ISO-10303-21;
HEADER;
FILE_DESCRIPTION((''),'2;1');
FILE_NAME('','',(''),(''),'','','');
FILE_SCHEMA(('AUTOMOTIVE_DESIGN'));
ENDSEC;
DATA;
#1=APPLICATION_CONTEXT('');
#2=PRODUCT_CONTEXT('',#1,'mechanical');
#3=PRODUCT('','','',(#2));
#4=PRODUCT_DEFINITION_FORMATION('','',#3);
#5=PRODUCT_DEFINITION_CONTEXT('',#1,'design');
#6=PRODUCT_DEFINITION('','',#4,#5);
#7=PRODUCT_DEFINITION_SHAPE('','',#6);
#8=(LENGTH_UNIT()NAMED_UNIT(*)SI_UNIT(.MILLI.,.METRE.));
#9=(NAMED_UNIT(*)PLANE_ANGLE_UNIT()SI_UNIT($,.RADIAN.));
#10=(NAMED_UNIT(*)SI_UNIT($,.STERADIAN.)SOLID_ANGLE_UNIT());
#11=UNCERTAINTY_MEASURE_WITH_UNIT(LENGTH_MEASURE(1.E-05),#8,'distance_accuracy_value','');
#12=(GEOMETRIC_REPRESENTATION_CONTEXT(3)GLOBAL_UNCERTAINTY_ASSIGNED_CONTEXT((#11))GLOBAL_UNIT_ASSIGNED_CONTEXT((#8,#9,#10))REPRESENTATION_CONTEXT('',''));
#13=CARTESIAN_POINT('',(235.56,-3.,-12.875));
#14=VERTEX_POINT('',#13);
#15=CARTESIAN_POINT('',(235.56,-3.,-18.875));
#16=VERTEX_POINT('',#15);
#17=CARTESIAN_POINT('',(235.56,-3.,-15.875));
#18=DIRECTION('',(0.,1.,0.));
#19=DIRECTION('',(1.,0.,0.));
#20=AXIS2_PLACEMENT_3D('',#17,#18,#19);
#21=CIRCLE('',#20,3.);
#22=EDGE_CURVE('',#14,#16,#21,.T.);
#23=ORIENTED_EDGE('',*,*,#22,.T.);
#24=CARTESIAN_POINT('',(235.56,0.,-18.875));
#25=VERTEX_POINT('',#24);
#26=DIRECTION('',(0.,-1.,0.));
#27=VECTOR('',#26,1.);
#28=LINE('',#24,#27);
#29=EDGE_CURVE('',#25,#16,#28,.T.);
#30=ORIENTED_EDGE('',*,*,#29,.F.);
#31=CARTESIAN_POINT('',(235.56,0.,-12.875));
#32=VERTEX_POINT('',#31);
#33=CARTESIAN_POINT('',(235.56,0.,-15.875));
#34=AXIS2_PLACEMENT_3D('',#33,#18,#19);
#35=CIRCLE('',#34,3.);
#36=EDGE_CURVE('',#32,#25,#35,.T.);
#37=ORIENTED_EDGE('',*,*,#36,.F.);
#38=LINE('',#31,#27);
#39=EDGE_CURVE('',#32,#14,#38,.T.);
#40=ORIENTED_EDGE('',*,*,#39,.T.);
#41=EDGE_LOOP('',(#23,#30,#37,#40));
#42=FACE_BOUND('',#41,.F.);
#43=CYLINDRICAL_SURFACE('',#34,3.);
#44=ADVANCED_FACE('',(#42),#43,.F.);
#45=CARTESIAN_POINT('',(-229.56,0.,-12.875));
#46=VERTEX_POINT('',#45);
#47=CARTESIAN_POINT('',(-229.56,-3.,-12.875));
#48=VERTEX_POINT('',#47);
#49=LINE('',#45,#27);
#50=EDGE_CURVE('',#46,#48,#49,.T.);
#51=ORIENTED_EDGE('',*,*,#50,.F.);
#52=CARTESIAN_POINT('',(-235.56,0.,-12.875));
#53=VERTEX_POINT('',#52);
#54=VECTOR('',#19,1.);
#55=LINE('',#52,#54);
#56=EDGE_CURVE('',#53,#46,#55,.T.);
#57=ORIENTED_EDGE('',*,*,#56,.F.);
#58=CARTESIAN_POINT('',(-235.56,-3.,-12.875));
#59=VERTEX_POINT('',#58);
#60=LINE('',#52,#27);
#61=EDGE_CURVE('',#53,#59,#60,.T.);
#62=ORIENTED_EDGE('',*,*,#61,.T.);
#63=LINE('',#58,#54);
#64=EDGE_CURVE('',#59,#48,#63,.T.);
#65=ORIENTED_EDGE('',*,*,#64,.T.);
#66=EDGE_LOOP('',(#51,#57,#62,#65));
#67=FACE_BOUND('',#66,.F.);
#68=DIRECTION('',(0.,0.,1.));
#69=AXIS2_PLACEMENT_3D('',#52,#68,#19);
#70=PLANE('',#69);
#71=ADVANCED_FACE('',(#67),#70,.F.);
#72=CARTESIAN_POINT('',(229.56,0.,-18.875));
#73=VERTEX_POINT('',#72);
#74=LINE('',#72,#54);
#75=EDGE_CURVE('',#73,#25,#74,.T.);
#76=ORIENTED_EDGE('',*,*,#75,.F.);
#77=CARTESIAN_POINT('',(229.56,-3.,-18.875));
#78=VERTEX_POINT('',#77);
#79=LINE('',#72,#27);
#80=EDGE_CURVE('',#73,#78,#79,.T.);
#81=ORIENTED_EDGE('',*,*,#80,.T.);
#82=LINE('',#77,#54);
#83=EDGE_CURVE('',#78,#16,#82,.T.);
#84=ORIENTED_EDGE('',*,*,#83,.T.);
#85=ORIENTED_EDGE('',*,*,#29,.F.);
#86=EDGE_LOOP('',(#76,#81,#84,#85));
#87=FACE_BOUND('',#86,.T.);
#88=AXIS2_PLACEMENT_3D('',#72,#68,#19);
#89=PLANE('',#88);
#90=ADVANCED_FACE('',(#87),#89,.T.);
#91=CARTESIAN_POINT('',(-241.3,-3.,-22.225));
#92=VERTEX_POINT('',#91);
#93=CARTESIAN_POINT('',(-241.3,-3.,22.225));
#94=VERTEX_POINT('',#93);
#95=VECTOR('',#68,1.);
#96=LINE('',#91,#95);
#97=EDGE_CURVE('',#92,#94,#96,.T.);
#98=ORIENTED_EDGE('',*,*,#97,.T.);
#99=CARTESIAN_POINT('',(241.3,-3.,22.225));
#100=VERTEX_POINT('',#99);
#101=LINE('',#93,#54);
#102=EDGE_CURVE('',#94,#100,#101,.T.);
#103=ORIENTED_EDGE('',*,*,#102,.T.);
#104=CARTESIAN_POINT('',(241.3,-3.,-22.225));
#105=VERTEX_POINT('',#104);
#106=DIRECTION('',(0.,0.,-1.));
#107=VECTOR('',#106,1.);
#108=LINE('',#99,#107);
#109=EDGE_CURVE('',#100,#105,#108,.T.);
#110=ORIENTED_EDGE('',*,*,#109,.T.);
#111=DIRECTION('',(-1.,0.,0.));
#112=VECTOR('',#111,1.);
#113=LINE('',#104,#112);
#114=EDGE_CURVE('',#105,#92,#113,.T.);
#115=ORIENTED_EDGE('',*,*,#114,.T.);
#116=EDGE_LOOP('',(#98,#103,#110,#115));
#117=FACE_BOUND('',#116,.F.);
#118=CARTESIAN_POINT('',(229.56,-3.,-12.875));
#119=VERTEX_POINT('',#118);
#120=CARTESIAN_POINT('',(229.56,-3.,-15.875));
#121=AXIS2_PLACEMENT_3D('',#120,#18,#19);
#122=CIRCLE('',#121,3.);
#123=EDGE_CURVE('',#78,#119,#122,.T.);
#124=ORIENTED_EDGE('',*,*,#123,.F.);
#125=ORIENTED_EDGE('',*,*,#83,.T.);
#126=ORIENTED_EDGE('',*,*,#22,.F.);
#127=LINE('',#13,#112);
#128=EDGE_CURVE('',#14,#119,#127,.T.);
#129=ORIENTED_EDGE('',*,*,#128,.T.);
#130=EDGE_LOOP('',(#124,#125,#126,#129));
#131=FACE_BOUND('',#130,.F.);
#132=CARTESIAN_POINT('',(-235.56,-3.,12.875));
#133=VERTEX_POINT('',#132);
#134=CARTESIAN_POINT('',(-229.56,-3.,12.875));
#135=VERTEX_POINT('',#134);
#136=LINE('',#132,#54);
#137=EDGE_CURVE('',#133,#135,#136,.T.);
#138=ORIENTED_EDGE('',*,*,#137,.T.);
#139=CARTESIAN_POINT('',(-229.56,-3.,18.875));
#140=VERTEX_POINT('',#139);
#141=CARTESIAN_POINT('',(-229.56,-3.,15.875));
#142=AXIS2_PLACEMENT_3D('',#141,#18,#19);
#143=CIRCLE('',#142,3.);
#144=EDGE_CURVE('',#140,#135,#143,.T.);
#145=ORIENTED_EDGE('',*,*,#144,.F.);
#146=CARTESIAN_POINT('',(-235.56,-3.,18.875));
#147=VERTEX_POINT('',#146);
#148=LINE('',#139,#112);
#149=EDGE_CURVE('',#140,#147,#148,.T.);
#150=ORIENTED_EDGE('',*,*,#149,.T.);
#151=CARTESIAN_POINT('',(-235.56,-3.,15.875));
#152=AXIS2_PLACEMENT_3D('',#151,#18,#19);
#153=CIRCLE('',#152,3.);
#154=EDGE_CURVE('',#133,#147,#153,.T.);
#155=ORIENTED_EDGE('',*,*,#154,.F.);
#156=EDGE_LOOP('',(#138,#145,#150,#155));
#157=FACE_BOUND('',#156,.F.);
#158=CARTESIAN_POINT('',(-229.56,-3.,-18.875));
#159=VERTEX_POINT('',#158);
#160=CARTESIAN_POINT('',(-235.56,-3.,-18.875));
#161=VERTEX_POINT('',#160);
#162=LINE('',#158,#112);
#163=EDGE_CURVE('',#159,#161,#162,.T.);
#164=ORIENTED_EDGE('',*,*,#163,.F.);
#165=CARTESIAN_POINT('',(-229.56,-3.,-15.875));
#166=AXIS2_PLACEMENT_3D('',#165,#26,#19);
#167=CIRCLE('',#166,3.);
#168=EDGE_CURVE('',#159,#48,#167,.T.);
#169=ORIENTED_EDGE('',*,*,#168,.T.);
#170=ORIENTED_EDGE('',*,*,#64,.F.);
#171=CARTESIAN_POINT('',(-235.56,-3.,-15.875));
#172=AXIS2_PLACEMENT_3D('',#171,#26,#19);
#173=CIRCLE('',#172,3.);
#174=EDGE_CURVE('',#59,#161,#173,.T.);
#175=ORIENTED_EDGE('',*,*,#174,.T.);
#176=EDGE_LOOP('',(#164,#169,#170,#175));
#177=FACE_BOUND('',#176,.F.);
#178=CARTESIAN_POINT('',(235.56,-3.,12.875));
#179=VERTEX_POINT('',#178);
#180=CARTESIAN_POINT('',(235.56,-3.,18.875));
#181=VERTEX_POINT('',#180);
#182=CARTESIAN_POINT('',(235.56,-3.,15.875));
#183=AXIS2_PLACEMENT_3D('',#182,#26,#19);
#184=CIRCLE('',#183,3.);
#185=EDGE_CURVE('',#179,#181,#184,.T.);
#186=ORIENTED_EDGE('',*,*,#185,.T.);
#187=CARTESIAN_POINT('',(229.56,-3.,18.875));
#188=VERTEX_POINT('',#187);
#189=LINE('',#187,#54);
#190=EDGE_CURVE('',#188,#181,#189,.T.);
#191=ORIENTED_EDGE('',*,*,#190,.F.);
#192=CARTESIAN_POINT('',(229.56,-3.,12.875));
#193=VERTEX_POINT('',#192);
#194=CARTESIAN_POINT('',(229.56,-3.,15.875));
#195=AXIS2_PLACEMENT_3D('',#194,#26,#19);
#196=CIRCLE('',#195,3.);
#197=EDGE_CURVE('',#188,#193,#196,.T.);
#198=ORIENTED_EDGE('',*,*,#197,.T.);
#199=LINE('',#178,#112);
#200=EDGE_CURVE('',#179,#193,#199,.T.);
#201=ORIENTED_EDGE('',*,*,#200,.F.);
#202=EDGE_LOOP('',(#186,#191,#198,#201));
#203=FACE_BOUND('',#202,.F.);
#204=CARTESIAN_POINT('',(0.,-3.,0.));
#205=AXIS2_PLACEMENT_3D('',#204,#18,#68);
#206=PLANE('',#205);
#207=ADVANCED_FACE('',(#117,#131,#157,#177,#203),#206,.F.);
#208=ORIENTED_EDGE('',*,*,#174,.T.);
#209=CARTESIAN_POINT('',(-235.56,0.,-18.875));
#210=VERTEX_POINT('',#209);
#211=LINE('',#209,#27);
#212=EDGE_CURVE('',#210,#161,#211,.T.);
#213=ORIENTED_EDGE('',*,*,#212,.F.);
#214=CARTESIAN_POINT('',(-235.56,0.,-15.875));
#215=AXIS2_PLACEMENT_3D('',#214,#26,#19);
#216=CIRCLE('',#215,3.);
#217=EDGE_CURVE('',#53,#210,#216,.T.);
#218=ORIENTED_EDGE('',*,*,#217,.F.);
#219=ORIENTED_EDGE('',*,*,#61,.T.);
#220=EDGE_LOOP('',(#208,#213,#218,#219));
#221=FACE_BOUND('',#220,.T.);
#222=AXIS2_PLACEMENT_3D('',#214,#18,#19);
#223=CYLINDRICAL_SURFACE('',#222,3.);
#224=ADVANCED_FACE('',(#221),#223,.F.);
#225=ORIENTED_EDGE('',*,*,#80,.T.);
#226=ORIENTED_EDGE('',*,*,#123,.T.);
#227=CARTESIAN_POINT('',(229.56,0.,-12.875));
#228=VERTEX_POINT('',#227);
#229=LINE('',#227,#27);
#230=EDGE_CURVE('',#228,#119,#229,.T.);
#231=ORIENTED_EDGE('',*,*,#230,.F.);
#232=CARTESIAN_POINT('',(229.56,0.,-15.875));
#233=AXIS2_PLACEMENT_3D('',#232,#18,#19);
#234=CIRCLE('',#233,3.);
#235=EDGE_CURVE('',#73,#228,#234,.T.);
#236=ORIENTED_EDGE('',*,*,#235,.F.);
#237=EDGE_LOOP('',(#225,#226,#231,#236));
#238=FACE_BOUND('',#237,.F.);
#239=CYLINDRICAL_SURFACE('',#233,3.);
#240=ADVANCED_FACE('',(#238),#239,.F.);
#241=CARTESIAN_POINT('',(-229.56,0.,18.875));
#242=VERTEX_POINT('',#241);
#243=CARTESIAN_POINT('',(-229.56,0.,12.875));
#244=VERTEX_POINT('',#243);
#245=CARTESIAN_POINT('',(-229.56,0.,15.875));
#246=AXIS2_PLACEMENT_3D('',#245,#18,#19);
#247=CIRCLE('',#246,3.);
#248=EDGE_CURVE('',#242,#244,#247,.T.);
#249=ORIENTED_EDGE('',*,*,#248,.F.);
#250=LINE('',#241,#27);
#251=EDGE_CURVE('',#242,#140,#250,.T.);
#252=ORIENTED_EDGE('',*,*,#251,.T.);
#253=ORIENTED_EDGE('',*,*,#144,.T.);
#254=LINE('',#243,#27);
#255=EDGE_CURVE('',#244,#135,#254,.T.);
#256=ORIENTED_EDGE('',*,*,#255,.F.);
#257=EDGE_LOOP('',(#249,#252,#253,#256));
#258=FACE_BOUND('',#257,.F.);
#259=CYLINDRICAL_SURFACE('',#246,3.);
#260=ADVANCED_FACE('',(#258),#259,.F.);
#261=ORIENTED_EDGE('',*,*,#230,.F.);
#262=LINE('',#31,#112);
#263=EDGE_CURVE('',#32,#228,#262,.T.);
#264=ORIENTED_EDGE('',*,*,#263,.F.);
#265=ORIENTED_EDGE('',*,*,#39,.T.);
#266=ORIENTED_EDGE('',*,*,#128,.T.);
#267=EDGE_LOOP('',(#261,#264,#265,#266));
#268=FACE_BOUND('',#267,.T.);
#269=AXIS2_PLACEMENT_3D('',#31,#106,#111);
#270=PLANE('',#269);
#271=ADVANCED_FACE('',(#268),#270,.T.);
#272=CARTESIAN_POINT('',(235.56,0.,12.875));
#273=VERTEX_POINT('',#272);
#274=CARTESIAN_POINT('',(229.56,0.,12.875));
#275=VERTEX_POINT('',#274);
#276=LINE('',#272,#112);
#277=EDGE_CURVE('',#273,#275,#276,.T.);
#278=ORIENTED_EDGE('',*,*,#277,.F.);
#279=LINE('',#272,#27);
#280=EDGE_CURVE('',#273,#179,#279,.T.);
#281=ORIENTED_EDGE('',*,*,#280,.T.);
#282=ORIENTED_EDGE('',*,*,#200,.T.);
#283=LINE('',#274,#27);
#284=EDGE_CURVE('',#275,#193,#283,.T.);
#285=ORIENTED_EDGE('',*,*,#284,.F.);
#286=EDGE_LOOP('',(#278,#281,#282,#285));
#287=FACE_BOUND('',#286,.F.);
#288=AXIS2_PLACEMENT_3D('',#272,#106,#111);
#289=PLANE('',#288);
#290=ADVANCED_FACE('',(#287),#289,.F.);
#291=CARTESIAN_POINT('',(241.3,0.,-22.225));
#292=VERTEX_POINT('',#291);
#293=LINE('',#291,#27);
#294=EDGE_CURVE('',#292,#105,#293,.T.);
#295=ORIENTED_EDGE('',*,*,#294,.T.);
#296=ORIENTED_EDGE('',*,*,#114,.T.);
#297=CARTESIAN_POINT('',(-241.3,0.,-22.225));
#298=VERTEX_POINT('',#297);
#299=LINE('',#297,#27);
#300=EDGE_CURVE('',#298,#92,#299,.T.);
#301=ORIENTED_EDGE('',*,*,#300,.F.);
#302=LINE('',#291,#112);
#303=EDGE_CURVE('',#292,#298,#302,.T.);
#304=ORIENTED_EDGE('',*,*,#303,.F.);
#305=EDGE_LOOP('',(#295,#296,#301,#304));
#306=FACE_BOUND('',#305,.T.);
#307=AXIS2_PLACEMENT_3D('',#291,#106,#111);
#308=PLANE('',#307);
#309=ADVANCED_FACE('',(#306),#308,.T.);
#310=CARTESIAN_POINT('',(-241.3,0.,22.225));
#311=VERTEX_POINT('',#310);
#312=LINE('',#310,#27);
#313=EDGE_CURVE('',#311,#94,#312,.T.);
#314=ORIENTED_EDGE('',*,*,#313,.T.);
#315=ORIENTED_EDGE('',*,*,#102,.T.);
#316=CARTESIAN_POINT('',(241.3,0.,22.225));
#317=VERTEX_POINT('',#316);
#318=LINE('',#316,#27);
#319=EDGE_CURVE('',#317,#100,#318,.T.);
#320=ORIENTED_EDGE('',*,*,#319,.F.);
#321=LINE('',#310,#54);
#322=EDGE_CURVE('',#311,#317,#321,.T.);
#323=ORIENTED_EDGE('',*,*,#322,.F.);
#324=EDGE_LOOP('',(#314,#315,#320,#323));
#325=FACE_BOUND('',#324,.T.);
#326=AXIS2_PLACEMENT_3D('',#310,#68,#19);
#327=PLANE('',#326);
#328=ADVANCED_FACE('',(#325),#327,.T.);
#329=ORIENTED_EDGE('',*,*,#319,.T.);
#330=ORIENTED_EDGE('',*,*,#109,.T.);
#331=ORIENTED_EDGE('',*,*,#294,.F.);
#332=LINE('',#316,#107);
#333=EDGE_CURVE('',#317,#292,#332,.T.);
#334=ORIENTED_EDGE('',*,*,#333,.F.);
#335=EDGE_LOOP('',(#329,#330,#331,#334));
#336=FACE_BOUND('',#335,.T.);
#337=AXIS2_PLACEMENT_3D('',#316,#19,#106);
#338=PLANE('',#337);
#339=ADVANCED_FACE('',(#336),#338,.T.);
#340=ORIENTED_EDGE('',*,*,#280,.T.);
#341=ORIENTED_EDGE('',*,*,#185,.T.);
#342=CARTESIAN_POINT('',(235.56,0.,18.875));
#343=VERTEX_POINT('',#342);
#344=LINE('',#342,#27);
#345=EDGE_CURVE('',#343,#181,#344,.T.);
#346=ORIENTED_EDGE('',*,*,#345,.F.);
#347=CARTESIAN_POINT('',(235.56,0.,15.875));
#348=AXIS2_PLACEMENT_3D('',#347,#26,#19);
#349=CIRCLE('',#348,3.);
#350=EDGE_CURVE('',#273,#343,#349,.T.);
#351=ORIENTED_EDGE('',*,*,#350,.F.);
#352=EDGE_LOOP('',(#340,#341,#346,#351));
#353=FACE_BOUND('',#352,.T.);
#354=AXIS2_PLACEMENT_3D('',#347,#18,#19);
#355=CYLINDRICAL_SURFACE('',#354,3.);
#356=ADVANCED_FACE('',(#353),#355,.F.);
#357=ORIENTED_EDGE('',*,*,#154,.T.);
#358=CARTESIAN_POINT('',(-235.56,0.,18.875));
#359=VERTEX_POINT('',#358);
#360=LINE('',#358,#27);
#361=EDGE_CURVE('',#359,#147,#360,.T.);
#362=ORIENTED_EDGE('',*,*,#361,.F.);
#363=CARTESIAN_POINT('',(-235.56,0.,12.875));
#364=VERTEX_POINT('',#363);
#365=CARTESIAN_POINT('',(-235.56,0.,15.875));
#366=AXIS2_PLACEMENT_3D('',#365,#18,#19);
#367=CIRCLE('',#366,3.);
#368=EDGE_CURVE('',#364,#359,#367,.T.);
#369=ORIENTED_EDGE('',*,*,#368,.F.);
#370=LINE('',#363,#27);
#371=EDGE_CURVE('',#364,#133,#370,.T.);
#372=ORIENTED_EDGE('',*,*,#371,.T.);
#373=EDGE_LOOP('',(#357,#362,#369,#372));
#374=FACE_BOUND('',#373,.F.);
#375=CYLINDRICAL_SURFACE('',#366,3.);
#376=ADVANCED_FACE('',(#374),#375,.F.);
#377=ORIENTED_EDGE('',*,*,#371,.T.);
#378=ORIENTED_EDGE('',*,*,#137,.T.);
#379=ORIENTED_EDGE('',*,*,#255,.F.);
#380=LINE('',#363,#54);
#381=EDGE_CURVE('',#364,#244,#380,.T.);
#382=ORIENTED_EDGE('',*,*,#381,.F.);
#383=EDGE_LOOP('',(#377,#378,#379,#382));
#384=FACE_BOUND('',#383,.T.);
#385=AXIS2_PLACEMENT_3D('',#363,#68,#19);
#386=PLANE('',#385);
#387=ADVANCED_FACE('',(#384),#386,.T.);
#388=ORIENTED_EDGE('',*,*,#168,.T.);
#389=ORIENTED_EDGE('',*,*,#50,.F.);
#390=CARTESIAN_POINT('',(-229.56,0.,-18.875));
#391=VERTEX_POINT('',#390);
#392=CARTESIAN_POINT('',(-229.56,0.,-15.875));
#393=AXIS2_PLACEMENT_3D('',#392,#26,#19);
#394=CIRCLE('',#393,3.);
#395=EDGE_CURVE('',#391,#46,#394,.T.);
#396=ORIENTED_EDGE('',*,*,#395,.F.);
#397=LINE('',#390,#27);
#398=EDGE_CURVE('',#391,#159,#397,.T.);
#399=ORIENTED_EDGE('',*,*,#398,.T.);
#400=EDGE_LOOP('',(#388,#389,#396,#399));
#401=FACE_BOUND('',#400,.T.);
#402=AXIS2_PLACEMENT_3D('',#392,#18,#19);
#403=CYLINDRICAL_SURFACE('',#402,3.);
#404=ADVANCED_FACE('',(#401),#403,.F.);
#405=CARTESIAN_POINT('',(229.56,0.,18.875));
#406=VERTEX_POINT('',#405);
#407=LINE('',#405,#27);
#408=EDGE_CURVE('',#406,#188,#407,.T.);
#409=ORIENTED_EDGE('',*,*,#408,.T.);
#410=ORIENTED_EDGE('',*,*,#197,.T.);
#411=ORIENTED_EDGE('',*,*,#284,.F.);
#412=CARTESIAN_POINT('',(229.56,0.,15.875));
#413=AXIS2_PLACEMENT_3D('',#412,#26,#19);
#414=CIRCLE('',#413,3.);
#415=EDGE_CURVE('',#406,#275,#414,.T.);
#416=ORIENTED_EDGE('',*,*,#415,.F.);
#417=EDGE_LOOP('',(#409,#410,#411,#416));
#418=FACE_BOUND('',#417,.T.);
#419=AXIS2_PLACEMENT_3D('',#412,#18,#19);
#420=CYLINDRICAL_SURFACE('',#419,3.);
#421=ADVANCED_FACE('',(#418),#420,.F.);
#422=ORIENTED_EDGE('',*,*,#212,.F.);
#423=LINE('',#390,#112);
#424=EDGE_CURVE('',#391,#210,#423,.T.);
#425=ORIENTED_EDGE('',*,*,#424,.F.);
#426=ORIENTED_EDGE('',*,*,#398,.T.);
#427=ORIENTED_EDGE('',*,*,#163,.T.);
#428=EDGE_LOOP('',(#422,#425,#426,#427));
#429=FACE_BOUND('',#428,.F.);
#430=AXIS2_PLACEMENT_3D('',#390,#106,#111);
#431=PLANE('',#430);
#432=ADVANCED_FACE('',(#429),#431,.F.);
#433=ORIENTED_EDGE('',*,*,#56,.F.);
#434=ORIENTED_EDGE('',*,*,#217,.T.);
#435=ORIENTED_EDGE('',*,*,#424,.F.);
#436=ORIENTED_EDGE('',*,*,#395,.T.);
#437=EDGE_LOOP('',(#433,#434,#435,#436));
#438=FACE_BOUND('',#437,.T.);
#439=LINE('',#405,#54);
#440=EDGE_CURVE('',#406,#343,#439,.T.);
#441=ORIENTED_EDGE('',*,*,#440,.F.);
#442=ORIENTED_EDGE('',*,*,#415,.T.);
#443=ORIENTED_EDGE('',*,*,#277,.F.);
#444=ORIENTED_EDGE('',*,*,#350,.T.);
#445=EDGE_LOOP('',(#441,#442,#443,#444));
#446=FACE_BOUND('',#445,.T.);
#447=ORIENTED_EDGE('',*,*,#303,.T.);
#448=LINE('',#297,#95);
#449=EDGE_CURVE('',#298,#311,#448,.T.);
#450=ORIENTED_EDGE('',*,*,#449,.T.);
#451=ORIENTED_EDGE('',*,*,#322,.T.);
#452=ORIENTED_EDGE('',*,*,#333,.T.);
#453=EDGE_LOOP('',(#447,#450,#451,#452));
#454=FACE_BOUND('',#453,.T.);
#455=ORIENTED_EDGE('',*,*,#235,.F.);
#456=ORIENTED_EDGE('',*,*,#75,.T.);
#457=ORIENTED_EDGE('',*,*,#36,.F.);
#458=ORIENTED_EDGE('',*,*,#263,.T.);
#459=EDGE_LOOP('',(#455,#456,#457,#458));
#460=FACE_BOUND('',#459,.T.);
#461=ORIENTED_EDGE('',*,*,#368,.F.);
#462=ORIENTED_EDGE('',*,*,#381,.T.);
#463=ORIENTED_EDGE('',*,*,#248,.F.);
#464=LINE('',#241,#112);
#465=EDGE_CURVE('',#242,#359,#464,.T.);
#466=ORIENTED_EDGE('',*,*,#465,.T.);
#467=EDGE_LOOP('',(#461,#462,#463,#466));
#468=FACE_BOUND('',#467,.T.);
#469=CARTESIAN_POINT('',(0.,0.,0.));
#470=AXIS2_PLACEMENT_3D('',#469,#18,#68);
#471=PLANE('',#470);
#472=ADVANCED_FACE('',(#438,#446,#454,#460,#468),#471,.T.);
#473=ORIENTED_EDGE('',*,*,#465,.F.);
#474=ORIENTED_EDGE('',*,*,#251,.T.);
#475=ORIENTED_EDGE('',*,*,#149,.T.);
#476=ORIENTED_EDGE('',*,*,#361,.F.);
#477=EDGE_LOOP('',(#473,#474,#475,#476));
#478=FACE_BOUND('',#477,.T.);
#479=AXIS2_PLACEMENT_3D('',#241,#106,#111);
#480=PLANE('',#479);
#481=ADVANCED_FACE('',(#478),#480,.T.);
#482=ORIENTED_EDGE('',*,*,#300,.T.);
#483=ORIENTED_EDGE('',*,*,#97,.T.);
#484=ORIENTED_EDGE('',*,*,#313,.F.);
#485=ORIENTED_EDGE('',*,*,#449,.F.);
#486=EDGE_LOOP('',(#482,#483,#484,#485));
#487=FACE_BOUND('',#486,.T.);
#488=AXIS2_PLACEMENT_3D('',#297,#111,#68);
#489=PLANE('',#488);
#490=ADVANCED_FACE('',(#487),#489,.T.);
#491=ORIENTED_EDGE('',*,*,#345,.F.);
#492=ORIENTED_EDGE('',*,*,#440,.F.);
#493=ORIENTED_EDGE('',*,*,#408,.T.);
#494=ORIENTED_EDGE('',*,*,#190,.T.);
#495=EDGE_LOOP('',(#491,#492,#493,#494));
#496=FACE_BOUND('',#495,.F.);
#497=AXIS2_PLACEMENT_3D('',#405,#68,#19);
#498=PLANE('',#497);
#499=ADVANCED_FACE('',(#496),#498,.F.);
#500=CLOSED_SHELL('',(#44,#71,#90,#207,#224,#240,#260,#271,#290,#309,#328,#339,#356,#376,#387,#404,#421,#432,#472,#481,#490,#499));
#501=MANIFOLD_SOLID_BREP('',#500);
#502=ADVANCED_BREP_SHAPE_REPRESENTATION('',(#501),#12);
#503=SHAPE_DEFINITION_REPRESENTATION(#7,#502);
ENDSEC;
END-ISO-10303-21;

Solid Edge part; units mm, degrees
sketch "Sketch1" plane through (0, 0, 0) normal (0, -1, 0) x (1, 0, 0)
  arc A0 (235.56, 12.875) -> (235.56, 18.875) centre (235.56, 15.875) ccw
  line L0 (229.56, 18.875) -> (235.56, 18.875)
  arc A1 (229.56, 18.875) -> (229.56, 12.875) centre (229.56, 15.875) ccw
  line L1 (235.56, 12.875) -> (229.56, 12.875)
  arc A2 (-235.56, -12.875) -> (-235.56, -18.875) centre (-235.56, -15.875) ccw
  line L2 (-229.56, -18.875) -> (-235.56, -18.875)
  arc A3 (-229.56, -18.875) -> (-229.56, -12.875) centre (-229.56, -15.875) ccw
  line L3 (-235.56, -12.875) -> (-229.56, -12.875)
  line L4 (-241.3, -22.225) -> (-241.3, 22.225)
  line L5 (-241.3, 22.225) -> (241.3, 22.225)
  line L6 (241.3, 22.225) -> (241.3, -22.225)
  line L7 (241.3, -22.225) -> (-241.3, -22.225)
  line L8 (235.56, -12.875) -> (229.56, -12.875)
  arc A4 (229.56, -18.875) -> (229.56, -12.875) centre (229.56, -15.875) cw
  line L9 (229.56, -18.875) -> (235.56, -18.875)
  arc A5 (235.56, -12.875) -> (235.56, -18.875) centre (235.56, -15.875) cw
  line L10 (-235.56, 12.875) -> (-229.56, 12.875)
  arc A6 (-229.56, 18.875) -> (-229.56, 12.875) centre (-229.56, 15.875) cw
  line L11 (-229.56, 18.875) -> (-235.56, 18.875)
  arc A7 (-235.56, 12.875) -> (-235.56, 18.875) centre (-235.56, 15.875) cw
  dimension "D1" = 482.6
  dimension "D2" = 12
  dimension "D3" = 15.875
  dimension "D4" = 6
  dimension "D5" = 3
  dimension "D6" = 44.45
extrude "Protrusion1" add sketch "Sketch1" along normal blind 3
